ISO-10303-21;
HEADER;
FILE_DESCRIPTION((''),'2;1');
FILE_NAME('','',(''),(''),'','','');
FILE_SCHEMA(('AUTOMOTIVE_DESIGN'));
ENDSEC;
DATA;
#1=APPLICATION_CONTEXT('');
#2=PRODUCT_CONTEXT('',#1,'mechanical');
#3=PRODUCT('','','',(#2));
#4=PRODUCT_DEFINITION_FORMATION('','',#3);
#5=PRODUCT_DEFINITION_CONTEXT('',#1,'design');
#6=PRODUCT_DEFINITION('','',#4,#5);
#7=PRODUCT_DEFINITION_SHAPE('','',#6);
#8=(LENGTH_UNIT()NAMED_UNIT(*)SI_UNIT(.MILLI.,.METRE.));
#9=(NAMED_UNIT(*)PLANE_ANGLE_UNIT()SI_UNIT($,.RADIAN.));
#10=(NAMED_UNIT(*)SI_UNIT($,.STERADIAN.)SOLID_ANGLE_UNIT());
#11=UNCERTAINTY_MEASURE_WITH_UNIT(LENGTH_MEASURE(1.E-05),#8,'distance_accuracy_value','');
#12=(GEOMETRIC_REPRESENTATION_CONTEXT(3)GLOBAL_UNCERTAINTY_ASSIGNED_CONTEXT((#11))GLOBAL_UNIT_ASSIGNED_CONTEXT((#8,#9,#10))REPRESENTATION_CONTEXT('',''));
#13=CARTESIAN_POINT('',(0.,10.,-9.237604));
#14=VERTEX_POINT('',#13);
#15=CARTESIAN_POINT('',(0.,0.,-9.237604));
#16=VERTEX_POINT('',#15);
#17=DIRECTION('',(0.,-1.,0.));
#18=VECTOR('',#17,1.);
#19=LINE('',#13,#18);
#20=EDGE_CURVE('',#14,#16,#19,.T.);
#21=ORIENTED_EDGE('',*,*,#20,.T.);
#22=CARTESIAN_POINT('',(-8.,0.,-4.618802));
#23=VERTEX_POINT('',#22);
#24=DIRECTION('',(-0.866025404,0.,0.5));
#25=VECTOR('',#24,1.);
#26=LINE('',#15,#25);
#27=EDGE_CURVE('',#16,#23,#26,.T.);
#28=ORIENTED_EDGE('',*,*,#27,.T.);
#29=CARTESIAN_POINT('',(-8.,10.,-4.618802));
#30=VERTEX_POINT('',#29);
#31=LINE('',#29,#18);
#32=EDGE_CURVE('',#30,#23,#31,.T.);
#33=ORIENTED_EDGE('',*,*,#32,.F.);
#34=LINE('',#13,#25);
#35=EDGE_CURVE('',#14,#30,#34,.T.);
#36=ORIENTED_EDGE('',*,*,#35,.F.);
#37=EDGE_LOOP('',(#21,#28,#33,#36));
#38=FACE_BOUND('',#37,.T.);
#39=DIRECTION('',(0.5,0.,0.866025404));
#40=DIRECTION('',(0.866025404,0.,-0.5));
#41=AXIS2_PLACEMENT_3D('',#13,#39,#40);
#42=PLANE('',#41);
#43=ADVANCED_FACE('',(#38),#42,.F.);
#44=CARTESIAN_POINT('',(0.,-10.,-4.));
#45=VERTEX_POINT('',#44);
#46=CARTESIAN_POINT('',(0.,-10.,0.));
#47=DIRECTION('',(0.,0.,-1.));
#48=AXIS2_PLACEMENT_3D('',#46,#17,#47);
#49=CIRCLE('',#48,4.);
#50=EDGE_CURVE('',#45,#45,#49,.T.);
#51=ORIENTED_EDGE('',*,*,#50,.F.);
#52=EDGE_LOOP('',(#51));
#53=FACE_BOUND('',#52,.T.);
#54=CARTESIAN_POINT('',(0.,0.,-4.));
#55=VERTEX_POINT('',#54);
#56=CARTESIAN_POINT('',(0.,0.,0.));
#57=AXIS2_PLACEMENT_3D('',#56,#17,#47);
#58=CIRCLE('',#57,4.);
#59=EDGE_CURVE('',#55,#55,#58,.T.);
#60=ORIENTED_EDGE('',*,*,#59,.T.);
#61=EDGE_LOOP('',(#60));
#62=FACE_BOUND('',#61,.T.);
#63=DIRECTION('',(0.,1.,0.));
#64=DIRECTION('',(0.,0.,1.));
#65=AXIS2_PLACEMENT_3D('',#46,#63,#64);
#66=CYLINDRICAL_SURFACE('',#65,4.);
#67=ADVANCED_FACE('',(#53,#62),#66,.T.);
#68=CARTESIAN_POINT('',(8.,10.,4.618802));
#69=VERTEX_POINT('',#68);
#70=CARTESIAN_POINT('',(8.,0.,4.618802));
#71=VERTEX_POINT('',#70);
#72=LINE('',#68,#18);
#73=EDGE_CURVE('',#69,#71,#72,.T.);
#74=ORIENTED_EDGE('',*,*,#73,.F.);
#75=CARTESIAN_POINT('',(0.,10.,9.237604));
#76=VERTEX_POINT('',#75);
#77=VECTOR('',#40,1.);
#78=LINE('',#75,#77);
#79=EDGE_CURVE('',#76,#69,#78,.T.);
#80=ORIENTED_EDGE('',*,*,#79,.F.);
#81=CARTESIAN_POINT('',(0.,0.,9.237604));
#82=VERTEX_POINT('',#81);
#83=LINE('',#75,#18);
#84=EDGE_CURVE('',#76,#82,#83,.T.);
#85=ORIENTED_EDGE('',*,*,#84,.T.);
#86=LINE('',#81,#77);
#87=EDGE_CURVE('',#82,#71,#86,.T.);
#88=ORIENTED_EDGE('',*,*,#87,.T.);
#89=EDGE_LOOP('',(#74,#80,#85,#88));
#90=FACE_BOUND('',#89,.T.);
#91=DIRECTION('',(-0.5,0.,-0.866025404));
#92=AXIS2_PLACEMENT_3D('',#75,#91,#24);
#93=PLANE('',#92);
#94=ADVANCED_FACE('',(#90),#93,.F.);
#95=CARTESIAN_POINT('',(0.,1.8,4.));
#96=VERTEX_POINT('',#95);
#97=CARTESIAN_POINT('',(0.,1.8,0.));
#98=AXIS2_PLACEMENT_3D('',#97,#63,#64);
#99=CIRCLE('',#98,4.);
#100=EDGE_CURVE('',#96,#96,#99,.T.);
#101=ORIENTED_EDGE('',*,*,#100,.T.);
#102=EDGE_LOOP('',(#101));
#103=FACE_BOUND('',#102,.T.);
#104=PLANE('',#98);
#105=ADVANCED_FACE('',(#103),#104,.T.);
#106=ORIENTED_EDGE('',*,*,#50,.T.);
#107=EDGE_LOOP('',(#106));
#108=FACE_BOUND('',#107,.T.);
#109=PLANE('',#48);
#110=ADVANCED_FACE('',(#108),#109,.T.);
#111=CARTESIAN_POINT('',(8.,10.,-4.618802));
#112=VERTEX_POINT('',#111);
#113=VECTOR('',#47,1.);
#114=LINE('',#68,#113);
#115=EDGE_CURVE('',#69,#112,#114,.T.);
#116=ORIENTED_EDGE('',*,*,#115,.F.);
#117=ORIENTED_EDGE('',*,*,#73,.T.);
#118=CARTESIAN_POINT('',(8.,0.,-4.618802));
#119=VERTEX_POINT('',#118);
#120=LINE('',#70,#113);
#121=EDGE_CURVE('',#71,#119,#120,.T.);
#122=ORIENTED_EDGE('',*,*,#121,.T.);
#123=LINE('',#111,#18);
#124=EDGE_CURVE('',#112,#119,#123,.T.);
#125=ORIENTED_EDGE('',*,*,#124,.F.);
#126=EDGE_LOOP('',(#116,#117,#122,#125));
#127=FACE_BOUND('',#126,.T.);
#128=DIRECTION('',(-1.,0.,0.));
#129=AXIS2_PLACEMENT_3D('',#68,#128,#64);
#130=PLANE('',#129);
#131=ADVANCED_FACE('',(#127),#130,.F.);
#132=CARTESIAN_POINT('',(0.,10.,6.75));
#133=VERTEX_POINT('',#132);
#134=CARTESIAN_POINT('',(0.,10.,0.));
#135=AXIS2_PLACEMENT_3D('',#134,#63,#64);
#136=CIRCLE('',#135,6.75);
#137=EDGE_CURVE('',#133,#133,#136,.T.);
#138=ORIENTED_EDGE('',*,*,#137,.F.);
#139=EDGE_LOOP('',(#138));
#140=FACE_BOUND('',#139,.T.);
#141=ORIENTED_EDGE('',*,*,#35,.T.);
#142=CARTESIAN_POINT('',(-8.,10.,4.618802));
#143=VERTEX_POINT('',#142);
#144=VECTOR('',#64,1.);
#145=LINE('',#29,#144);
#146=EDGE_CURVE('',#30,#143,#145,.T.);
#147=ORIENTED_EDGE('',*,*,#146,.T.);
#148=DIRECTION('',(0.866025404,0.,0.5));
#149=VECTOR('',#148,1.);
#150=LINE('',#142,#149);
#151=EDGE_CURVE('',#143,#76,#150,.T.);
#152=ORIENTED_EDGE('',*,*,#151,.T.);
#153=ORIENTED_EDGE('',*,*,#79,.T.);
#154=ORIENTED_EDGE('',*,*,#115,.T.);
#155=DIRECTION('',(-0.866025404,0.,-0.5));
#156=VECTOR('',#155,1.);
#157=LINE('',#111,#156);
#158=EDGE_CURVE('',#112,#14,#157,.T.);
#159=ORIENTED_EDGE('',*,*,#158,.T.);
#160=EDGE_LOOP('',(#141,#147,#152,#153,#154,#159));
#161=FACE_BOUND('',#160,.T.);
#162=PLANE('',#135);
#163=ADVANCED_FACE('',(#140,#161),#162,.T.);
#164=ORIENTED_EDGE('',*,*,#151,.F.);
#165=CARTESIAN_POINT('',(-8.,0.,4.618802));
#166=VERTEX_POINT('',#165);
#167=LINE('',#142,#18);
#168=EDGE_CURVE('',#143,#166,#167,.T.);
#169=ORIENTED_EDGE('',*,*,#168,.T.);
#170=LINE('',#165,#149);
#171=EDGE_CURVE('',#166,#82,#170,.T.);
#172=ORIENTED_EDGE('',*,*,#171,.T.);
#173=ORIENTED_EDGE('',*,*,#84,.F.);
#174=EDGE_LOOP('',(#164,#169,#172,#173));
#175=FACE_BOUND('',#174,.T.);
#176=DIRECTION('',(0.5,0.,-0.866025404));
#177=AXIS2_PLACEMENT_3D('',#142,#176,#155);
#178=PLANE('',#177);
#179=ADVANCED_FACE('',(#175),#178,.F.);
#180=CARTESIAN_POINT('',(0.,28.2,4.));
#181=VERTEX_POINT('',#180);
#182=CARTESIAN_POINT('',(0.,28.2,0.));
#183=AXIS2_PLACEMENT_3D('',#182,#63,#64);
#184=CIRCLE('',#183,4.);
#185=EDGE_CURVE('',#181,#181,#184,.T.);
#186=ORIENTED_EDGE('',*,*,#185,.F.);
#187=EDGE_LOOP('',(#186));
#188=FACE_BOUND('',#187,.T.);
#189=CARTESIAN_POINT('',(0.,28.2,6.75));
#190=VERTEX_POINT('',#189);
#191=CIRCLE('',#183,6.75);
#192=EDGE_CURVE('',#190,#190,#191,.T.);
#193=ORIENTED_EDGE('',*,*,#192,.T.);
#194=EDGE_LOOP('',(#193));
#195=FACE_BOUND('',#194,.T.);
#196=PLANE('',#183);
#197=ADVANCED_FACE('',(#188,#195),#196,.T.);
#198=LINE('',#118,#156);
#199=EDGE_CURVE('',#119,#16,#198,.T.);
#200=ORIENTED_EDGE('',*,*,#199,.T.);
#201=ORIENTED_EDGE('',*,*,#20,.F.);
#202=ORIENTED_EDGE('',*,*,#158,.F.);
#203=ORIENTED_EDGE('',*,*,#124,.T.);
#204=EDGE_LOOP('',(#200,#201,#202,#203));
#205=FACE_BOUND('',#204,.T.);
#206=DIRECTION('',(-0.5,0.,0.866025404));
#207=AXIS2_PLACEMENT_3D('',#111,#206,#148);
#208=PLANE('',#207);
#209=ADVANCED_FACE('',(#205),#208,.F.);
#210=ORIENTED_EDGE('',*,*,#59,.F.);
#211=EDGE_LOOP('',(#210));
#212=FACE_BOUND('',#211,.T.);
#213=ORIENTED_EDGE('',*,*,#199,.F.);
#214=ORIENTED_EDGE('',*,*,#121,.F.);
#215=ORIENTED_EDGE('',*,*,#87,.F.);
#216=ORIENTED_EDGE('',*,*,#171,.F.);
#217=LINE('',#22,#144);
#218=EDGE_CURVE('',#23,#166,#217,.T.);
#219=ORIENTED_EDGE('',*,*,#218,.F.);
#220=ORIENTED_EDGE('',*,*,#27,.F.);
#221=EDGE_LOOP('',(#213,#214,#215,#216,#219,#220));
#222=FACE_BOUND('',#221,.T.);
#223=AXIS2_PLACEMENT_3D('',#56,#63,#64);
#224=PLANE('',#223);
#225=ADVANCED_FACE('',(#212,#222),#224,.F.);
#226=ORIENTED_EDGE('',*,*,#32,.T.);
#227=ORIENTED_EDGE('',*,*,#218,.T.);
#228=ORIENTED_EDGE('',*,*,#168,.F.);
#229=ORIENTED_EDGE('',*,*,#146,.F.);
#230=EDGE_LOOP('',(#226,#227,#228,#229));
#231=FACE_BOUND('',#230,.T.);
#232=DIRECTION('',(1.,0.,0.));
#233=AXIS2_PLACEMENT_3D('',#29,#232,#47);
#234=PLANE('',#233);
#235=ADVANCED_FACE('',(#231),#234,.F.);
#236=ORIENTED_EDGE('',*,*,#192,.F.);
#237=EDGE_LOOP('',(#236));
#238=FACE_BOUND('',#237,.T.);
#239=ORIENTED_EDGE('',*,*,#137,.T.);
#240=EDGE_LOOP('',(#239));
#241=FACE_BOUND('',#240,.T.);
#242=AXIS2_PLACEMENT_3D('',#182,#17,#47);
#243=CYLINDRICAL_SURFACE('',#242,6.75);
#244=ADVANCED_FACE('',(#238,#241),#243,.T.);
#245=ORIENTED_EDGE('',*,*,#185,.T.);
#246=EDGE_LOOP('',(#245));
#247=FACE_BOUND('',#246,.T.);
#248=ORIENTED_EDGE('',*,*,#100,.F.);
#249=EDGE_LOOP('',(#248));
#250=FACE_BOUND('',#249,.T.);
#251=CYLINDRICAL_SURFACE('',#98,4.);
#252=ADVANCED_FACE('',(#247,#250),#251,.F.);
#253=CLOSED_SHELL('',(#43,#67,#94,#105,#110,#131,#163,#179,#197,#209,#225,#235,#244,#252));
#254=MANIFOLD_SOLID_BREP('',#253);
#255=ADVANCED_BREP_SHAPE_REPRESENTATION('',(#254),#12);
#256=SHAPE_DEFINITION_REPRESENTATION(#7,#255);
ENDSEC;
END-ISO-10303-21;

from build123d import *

# Parameters (mm, degrees)
BOSS_EXTRUDE1_DEPTH = 10
SKETCH2_R           = 6.75
BOSS_EXTRUDE2_DEPTH = 18.2
SKETCH3_R           = 4
BOSS_EXTRUDE3_DEPTH = 10
SKETCH4_R           = 4
CUT_EXTRUDE1_DEPTH  = 26.4


with BuildPart() as part:
    # Sketch1 → Boss-Extrude1 (new body)
    with BuildSketch(Plane(origin=(0, 0, 0), x_dir=(1, 0, 0), z_dir=(0, 1, 0))):
        Polygon((0, 9.237604307), (-8, 4.618802154), (-8, -4.618802154), (0, -9.237604307), (8, -4.618802154), (8, 4.618802154), align=None)
    extrude(amount=BOSS_EXTRUDE1_DEPTH)

    # Sketch2 → Boss-Extrude2 (add)
    with BuildSketch(Plane(origin=(0, 10, 0), x_dir=(1, 0, 0), z_dir=(0, 1, 0))):
        Circle(SKETCH2_R)
    extrude(amount=BOSS_EXTRUDE2_DEPTH)

    # Sketch3 → Boss-Extrude3 (add)
    with BuildSketch(Plane.XZ):
        Circle(SKETCH3_R)
    extrude(amount=BOSS_EXTRUDE3_DEPTH)

    # Sketch4 → Cut-Extrude1 (cut)
    with BuildSketch(Plane(origin=(0, 28.2, 0), x_dir=(1, 0, 0), z_dir=(0, 1, 0))):
        Circle(SKETCH4_R)
    extrude(amount=-CUT_EXTRUDE1_DEPTH, mode=Mode.SUBTRACT)


solid = part.part
